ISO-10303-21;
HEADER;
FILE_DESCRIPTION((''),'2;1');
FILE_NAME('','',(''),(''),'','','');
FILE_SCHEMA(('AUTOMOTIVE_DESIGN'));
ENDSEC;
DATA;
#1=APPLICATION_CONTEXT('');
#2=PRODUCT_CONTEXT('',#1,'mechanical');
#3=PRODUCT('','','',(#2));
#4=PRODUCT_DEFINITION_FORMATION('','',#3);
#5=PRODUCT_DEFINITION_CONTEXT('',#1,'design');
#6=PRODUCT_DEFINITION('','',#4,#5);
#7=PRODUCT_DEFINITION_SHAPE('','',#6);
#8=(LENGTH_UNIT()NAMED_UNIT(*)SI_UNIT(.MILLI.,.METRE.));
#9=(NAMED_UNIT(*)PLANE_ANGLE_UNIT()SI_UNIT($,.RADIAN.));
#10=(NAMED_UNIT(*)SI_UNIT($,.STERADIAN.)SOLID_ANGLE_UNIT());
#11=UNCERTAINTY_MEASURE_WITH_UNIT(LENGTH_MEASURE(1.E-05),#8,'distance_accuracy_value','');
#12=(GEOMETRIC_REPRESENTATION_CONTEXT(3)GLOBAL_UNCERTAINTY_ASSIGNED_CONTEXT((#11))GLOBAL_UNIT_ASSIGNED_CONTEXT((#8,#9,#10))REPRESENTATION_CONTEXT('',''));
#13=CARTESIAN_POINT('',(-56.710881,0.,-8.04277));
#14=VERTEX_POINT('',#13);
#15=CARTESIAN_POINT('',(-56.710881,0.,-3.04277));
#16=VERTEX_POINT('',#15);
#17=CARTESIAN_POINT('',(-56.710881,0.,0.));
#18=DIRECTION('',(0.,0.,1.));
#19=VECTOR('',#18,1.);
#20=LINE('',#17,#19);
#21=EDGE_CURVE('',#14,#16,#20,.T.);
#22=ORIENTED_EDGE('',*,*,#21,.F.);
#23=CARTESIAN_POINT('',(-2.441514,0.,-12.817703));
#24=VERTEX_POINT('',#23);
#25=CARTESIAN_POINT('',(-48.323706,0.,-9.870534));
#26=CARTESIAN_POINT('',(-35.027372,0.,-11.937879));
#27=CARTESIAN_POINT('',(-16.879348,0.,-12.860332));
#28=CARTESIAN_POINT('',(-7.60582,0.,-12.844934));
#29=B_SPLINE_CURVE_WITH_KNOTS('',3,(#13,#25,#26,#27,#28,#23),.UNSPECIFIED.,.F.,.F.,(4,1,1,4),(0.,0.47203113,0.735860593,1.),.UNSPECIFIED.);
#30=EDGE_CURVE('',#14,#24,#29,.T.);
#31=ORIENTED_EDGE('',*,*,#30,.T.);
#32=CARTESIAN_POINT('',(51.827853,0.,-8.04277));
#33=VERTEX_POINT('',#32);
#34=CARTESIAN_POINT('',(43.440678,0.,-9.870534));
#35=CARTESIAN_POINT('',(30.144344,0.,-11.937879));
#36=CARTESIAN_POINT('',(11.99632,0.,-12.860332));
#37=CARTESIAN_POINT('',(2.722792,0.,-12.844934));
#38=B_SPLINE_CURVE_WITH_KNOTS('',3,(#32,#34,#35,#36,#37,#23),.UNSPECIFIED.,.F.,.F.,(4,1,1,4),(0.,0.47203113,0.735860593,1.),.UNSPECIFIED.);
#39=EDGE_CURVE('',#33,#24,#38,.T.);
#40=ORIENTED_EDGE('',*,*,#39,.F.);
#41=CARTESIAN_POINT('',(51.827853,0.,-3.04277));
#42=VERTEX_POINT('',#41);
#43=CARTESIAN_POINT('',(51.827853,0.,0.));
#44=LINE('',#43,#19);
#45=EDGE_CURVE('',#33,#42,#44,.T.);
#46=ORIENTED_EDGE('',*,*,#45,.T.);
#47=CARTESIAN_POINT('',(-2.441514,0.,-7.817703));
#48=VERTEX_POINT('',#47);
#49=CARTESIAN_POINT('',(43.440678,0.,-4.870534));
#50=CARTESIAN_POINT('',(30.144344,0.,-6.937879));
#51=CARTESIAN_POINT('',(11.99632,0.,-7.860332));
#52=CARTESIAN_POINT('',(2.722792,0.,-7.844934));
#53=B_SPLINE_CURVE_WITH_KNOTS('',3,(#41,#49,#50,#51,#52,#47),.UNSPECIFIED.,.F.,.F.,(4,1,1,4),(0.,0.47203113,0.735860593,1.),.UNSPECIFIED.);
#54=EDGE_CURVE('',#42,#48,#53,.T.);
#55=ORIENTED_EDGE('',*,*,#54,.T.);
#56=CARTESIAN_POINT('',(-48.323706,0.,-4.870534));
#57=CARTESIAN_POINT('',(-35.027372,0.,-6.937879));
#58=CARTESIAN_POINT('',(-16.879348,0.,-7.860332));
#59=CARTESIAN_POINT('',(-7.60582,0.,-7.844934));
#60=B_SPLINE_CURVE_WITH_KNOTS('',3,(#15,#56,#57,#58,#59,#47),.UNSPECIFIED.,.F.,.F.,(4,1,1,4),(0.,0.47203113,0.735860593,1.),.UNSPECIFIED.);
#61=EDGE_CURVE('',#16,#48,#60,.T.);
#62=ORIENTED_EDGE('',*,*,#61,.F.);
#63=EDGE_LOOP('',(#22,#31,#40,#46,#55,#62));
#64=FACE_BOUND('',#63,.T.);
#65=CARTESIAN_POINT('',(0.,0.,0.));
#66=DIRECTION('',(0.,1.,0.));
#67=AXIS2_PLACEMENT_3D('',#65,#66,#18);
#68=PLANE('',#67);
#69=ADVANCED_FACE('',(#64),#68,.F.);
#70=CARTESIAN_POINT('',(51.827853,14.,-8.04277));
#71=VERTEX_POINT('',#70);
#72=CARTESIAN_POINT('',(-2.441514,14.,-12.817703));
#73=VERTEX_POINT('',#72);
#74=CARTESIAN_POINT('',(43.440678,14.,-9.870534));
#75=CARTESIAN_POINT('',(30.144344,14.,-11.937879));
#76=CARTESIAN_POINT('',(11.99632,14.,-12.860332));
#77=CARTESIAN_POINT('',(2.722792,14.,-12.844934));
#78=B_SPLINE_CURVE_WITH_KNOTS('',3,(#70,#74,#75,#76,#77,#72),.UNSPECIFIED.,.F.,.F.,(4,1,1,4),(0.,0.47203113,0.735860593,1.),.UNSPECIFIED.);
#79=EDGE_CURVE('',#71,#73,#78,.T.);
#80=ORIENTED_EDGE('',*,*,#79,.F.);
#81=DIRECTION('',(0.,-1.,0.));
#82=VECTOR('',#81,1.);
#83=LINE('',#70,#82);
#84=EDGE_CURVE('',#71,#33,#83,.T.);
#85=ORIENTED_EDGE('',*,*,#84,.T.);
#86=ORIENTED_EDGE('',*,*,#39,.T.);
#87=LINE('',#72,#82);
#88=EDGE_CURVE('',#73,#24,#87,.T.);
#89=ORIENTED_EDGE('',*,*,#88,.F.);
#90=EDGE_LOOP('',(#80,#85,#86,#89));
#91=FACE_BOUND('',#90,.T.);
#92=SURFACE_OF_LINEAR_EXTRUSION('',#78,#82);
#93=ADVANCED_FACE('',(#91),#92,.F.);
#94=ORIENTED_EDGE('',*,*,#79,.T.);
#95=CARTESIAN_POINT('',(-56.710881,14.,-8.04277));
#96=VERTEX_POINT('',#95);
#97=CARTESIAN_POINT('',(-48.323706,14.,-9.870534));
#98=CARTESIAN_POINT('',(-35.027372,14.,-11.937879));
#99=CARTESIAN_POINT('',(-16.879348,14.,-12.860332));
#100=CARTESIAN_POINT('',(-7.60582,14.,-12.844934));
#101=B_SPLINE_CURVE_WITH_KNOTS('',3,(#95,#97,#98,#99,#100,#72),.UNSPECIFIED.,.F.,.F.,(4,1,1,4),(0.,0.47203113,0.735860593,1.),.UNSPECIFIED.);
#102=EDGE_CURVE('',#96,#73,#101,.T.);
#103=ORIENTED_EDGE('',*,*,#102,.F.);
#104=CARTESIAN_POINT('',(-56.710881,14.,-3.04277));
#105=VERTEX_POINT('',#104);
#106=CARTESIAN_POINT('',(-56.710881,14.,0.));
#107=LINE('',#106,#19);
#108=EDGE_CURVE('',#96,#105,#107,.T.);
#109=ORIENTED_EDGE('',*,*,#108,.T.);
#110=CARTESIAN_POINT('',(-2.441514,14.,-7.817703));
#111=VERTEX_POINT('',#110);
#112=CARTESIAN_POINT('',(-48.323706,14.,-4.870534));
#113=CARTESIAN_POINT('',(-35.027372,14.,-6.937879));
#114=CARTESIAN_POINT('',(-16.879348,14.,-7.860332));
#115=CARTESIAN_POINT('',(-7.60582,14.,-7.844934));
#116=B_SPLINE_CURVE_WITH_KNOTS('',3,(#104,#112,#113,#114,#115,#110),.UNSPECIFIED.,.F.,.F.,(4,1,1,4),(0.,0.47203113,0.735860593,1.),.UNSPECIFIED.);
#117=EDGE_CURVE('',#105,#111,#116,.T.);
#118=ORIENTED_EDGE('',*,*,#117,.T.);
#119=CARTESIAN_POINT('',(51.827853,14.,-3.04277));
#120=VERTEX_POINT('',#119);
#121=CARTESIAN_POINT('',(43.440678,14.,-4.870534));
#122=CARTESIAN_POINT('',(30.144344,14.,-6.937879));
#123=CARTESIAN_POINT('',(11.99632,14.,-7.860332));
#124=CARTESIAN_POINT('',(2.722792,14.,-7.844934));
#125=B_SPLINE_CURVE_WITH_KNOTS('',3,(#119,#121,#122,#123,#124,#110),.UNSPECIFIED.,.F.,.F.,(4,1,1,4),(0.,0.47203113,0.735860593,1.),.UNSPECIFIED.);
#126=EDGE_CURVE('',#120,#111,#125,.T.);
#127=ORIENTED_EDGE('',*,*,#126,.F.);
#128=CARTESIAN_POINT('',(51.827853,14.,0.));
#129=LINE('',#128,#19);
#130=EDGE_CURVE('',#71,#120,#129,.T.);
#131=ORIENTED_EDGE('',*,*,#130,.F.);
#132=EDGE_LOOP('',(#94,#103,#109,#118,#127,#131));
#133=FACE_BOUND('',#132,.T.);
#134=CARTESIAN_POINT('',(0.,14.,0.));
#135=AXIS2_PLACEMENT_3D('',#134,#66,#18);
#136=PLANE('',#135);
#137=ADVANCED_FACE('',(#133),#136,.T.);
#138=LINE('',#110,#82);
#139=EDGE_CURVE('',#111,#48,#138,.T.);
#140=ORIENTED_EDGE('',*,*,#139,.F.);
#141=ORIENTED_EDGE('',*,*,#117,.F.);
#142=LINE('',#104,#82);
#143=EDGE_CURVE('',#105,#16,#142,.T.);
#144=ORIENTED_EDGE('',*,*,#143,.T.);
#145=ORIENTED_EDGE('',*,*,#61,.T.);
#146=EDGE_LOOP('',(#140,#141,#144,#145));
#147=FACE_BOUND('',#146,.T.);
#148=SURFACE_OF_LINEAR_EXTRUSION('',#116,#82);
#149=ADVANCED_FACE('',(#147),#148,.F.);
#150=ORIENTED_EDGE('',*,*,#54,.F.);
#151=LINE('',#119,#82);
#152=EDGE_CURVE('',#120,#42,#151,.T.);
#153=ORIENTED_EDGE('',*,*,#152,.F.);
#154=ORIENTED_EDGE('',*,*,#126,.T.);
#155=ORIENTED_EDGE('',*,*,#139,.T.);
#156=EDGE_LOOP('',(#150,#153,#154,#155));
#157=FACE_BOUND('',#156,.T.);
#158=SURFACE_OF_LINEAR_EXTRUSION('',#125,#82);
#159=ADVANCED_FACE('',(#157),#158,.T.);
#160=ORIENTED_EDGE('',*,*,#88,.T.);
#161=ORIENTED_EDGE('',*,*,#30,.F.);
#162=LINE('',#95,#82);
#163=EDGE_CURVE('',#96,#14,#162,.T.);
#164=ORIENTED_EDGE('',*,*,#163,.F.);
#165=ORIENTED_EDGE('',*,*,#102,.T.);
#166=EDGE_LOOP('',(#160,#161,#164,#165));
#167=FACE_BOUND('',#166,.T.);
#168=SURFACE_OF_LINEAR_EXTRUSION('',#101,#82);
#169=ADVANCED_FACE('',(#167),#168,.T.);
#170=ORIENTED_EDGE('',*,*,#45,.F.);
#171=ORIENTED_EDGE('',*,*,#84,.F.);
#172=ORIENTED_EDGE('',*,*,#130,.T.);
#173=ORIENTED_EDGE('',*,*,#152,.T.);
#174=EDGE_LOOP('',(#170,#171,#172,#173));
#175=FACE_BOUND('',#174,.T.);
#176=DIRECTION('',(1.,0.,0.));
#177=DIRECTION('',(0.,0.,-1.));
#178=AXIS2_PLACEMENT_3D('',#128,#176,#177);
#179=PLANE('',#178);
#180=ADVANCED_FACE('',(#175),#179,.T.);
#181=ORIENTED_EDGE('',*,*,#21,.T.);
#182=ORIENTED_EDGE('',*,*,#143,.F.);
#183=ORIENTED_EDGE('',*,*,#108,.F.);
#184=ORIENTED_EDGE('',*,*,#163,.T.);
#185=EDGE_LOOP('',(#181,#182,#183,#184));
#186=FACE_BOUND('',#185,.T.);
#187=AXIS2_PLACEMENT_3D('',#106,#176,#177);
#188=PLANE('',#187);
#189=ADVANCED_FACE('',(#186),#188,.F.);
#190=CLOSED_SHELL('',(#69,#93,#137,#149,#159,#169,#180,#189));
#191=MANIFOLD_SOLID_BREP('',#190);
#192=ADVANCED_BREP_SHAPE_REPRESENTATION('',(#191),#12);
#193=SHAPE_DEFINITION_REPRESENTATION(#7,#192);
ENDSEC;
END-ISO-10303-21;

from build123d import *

# Parameters (mm, degrees)
BOSS_EXTRUDE1_DEPTH = 14


with BuildPart() as part:
    # Sketch1 → Boss-Extrude1 (new body)
    with BuildSketch(Plane(origin=(0, 0, 0), x_dir=(1, 0, 0), z_dir=(0, 1, 0))):
        with BuildLine():
            Line((-56.7108806, 8.042770274), (-56.7108806, 3.042770274))
            add(Edge.make_bspline(
                [(-56.7108806, 3.042770274), (-48.323705975, 4.870534091), (-35.02737225, 6.93787877), (-16.87934757, 7.860332352), (-7.605819721, 7.844934175), (-2.44151388, 7.817702683)],
                knots=[0, 0, 0, 0, 0.47203113, 0.735860593, 1, 1, 1, 1], degree=3))
            add(Edge.make_bspline(
                [(-2.44151388, 7.817702683), (2.722791962, 7.844934175), (11.99631981, 7.860332352), (30.144344491, 6.93787877), (43.440678216, 4.870534091), (51.827852841, 3.042770274)],
                knots=[0.442922252, 0.442922252, 0.442922252, 0.442922252, 0.707061659, 0.970891122, 1.442922252, 1.442922252, 1.442922252, 1.442922252], degree=3))
            Line((51.827852841, 3.042770274), (51.827852841, 8.042770274))
            add(Edge.make_bspline(
                [(51.827852841, 8.042770274), (43.440678216, 9.870534091), (30.144344491, 11.93787877), (11.99631981, 12.860332352), (2.722791962, 12.844934175), (-2.44151388, 12.817702683)],
                knots=[0, 0, 0, 0, 0.47203113, 0.735860593, 1, 1, 1, 1], degree=3))
            add(Edge.make_bspline(
                [(-56.7108806, 8.042770274), (-48.323705975, 9.870534091), (-35.02737225, 11.93787877), (-16.87934757, 12.860332352), (-7.605819721, 12.844934175), (-2.44151388, 12.817702683)],
                knots=[0, 0, 0, 0, 0.47203113, 0.735860593, 1, 1, 1, 1], degree=3))
        make_face()
    extrude(amount=BOSS_EXTRUDE1_DEPTH)


solid = part.part
